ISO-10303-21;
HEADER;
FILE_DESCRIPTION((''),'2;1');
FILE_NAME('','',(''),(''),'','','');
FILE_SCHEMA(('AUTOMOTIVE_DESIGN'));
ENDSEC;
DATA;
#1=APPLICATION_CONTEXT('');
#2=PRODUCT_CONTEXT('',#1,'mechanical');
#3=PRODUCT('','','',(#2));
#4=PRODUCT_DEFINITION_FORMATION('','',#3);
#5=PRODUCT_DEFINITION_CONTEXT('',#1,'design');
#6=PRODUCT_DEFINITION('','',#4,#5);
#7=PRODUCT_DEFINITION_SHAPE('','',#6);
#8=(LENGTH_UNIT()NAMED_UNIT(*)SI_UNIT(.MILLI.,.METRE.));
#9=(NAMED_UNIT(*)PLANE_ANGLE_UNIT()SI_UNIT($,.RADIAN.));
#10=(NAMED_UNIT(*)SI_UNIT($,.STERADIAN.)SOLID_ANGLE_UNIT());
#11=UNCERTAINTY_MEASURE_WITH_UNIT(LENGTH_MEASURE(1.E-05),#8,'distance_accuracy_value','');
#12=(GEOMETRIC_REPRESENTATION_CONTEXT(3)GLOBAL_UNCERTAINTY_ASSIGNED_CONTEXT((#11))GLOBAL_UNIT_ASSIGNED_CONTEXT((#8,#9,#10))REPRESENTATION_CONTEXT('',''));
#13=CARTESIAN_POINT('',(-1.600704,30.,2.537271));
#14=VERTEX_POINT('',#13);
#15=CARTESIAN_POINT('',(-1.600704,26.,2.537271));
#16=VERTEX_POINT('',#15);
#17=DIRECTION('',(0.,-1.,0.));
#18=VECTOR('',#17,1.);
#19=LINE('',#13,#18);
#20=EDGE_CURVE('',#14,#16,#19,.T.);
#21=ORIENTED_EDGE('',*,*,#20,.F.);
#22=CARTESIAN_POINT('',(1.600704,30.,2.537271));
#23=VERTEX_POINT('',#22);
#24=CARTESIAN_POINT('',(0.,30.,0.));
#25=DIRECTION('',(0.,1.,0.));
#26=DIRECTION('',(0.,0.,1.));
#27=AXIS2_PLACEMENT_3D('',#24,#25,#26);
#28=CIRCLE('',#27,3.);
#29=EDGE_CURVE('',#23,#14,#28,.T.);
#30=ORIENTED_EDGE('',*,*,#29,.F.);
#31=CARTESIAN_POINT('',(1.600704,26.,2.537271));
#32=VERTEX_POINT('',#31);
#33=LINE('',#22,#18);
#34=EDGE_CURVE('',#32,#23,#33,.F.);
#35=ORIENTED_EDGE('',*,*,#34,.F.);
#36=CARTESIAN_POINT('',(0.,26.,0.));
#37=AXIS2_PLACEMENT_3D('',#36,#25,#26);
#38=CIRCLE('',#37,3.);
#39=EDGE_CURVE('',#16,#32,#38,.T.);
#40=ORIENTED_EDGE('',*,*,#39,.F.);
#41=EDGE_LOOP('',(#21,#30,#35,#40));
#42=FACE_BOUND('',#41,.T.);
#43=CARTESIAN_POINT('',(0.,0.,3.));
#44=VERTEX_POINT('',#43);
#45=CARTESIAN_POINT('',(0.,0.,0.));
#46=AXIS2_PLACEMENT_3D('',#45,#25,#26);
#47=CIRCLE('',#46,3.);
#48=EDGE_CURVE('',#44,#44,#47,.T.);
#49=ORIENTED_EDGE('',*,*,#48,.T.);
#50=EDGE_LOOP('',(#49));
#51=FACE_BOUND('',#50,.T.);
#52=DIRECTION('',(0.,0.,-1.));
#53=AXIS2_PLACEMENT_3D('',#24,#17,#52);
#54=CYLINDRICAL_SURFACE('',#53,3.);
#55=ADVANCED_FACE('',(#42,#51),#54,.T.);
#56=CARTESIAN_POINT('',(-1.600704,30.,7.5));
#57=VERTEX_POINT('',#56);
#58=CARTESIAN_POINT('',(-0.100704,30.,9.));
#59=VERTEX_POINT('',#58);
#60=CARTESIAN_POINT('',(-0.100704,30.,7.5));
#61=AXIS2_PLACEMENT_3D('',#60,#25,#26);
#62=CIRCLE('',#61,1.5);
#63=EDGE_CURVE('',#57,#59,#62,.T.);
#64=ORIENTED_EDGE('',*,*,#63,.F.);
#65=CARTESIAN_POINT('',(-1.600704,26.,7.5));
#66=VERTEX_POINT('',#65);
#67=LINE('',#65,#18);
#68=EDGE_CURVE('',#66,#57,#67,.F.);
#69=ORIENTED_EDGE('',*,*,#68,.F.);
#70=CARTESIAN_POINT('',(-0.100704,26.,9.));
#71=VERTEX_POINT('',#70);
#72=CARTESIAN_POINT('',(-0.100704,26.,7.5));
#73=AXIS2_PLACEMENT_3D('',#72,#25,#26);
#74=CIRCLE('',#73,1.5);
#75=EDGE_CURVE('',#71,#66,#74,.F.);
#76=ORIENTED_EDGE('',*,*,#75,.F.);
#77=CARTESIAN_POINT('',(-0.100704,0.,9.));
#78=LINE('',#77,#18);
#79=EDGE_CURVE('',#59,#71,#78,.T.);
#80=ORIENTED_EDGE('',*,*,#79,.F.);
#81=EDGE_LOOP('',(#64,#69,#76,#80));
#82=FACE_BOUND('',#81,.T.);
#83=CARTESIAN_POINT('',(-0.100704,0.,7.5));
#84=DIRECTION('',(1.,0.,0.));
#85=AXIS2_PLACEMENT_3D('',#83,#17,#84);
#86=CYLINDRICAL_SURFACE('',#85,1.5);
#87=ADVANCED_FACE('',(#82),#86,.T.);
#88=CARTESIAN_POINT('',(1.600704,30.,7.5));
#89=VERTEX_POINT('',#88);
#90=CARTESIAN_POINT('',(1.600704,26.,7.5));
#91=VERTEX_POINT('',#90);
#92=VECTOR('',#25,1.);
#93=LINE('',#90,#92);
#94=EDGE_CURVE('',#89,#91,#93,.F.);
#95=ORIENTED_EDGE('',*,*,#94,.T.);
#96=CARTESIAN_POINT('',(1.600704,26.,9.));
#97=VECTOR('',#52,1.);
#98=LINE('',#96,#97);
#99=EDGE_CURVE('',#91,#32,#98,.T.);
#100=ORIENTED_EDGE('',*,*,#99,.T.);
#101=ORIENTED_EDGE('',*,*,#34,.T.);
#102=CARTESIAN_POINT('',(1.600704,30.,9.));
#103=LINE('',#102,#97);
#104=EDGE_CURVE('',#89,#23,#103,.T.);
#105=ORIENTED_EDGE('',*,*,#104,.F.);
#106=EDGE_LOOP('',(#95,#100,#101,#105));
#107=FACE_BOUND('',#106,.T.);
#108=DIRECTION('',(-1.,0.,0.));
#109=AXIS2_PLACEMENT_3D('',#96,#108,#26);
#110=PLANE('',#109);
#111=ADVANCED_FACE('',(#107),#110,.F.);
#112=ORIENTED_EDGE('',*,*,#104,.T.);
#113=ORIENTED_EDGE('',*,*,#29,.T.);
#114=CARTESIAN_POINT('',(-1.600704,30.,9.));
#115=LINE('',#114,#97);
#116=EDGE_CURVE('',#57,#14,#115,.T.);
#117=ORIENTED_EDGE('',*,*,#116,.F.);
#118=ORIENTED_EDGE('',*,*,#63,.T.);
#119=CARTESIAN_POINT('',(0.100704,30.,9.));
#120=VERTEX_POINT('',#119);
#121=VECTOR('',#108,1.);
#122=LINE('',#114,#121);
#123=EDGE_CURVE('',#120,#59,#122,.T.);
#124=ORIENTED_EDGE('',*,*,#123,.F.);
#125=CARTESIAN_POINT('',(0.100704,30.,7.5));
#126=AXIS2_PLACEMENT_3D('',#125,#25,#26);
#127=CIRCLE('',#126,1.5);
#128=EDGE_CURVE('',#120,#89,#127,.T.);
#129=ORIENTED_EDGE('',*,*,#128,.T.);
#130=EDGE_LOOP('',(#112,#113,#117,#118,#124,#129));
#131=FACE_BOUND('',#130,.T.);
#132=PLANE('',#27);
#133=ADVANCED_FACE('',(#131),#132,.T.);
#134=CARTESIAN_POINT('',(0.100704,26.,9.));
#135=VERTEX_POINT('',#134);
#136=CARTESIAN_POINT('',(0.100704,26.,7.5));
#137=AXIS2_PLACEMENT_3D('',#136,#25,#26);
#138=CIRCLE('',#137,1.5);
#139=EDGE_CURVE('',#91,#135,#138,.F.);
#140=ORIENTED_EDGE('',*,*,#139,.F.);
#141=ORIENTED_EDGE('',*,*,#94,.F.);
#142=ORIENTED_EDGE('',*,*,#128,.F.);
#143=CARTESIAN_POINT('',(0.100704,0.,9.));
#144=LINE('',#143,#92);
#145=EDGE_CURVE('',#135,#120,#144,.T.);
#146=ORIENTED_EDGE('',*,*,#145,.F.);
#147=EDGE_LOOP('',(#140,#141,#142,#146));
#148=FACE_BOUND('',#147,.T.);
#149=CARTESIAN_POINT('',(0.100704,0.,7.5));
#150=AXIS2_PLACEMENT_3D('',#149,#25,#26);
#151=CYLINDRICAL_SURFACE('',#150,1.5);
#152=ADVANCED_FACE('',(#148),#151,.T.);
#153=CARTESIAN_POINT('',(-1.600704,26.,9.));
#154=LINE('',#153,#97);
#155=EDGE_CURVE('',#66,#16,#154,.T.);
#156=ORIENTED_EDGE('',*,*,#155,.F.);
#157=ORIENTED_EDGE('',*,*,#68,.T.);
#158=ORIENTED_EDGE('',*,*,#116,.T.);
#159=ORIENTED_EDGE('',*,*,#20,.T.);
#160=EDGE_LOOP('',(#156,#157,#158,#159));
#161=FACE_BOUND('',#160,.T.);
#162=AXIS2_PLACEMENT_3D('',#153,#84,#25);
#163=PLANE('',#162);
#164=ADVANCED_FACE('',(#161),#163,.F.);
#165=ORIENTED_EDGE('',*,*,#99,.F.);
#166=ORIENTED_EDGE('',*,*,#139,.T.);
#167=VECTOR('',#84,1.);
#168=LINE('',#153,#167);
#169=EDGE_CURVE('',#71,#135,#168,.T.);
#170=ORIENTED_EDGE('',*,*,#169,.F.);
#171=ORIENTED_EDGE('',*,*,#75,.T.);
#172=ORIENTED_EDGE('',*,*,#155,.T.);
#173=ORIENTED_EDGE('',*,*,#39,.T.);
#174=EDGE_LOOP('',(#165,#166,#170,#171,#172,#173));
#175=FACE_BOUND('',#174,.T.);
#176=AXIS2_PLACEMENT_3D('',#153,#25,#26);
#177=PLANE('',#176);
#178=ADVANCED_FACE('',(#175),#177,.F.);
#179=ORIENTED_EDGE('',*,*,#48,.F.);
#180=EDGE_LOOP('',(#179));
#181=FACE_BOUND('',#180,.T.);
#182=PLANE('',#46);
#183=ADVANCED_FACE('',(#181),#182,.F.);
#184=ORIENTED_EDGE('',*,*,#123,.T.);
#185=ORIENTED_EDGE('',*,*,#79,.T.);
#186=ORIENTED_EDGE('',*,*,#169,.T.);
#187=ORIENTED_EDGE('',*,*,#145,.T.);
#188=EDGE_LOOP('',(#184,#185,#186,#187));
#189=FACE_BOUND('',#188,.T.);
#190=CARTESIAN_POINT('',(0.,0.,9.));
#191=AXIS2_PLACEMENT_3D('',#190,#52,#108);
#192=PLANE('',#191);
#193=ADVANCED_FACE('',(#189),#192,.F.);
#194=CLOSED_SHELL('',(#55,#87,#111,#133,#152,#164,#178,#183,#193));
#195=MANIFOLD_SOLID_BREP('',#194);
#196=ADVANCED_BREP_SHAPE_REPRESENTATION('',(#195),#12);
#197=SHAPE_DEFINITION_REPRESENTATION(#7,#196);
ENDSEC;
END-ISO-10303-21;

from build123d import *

# Parameters (mm, degrees)
CROQUIS1_R              = 3
SALIENTE_EXTRUIR1_DEPTH = 30
CROQUIS2_W              = 3.201408756
CROQUIS2_H              = 4
SALIENTE_EXTRUIR2_DEPTH = 9
REDONDEO2_R             = 1.5


with BuildPart() as part:
    # Croquis1 → Saliente-Extruir1 (new body)
    with BuildSketch(Plane(origin=(0, 0, 0), x_dir=(1, 0, 0), z_dir=(0, 1, 0))):
        with Locations(Location((0, 0, 0), (0, 0, 270))):
            Circle(CROQUIS1_R)
    extrude(amount=SALIENTE_EXTRUIR1_DEPTH)

    # Croquis2 → Saliente-Extruir2 (add)
    with BuildSketch(Plane.XY):
        with Locations((0, 28)):
            Rectangle(CROQUIS2_W, CROQUIS2_H)
    extrude(amount=SALIENTE_EXTRUIR2_DEPTH)

    # Redondeo2
    redondeo2_edges = [part.edges().sort_by_distance(p)[0] for p in [
        (1.600704378, 28, 9),
        (-1.600704378, 28, 9),
    ]]
    fillet(redondeo2_edges, radius=REDONDEO2_R)


solid = part.part
